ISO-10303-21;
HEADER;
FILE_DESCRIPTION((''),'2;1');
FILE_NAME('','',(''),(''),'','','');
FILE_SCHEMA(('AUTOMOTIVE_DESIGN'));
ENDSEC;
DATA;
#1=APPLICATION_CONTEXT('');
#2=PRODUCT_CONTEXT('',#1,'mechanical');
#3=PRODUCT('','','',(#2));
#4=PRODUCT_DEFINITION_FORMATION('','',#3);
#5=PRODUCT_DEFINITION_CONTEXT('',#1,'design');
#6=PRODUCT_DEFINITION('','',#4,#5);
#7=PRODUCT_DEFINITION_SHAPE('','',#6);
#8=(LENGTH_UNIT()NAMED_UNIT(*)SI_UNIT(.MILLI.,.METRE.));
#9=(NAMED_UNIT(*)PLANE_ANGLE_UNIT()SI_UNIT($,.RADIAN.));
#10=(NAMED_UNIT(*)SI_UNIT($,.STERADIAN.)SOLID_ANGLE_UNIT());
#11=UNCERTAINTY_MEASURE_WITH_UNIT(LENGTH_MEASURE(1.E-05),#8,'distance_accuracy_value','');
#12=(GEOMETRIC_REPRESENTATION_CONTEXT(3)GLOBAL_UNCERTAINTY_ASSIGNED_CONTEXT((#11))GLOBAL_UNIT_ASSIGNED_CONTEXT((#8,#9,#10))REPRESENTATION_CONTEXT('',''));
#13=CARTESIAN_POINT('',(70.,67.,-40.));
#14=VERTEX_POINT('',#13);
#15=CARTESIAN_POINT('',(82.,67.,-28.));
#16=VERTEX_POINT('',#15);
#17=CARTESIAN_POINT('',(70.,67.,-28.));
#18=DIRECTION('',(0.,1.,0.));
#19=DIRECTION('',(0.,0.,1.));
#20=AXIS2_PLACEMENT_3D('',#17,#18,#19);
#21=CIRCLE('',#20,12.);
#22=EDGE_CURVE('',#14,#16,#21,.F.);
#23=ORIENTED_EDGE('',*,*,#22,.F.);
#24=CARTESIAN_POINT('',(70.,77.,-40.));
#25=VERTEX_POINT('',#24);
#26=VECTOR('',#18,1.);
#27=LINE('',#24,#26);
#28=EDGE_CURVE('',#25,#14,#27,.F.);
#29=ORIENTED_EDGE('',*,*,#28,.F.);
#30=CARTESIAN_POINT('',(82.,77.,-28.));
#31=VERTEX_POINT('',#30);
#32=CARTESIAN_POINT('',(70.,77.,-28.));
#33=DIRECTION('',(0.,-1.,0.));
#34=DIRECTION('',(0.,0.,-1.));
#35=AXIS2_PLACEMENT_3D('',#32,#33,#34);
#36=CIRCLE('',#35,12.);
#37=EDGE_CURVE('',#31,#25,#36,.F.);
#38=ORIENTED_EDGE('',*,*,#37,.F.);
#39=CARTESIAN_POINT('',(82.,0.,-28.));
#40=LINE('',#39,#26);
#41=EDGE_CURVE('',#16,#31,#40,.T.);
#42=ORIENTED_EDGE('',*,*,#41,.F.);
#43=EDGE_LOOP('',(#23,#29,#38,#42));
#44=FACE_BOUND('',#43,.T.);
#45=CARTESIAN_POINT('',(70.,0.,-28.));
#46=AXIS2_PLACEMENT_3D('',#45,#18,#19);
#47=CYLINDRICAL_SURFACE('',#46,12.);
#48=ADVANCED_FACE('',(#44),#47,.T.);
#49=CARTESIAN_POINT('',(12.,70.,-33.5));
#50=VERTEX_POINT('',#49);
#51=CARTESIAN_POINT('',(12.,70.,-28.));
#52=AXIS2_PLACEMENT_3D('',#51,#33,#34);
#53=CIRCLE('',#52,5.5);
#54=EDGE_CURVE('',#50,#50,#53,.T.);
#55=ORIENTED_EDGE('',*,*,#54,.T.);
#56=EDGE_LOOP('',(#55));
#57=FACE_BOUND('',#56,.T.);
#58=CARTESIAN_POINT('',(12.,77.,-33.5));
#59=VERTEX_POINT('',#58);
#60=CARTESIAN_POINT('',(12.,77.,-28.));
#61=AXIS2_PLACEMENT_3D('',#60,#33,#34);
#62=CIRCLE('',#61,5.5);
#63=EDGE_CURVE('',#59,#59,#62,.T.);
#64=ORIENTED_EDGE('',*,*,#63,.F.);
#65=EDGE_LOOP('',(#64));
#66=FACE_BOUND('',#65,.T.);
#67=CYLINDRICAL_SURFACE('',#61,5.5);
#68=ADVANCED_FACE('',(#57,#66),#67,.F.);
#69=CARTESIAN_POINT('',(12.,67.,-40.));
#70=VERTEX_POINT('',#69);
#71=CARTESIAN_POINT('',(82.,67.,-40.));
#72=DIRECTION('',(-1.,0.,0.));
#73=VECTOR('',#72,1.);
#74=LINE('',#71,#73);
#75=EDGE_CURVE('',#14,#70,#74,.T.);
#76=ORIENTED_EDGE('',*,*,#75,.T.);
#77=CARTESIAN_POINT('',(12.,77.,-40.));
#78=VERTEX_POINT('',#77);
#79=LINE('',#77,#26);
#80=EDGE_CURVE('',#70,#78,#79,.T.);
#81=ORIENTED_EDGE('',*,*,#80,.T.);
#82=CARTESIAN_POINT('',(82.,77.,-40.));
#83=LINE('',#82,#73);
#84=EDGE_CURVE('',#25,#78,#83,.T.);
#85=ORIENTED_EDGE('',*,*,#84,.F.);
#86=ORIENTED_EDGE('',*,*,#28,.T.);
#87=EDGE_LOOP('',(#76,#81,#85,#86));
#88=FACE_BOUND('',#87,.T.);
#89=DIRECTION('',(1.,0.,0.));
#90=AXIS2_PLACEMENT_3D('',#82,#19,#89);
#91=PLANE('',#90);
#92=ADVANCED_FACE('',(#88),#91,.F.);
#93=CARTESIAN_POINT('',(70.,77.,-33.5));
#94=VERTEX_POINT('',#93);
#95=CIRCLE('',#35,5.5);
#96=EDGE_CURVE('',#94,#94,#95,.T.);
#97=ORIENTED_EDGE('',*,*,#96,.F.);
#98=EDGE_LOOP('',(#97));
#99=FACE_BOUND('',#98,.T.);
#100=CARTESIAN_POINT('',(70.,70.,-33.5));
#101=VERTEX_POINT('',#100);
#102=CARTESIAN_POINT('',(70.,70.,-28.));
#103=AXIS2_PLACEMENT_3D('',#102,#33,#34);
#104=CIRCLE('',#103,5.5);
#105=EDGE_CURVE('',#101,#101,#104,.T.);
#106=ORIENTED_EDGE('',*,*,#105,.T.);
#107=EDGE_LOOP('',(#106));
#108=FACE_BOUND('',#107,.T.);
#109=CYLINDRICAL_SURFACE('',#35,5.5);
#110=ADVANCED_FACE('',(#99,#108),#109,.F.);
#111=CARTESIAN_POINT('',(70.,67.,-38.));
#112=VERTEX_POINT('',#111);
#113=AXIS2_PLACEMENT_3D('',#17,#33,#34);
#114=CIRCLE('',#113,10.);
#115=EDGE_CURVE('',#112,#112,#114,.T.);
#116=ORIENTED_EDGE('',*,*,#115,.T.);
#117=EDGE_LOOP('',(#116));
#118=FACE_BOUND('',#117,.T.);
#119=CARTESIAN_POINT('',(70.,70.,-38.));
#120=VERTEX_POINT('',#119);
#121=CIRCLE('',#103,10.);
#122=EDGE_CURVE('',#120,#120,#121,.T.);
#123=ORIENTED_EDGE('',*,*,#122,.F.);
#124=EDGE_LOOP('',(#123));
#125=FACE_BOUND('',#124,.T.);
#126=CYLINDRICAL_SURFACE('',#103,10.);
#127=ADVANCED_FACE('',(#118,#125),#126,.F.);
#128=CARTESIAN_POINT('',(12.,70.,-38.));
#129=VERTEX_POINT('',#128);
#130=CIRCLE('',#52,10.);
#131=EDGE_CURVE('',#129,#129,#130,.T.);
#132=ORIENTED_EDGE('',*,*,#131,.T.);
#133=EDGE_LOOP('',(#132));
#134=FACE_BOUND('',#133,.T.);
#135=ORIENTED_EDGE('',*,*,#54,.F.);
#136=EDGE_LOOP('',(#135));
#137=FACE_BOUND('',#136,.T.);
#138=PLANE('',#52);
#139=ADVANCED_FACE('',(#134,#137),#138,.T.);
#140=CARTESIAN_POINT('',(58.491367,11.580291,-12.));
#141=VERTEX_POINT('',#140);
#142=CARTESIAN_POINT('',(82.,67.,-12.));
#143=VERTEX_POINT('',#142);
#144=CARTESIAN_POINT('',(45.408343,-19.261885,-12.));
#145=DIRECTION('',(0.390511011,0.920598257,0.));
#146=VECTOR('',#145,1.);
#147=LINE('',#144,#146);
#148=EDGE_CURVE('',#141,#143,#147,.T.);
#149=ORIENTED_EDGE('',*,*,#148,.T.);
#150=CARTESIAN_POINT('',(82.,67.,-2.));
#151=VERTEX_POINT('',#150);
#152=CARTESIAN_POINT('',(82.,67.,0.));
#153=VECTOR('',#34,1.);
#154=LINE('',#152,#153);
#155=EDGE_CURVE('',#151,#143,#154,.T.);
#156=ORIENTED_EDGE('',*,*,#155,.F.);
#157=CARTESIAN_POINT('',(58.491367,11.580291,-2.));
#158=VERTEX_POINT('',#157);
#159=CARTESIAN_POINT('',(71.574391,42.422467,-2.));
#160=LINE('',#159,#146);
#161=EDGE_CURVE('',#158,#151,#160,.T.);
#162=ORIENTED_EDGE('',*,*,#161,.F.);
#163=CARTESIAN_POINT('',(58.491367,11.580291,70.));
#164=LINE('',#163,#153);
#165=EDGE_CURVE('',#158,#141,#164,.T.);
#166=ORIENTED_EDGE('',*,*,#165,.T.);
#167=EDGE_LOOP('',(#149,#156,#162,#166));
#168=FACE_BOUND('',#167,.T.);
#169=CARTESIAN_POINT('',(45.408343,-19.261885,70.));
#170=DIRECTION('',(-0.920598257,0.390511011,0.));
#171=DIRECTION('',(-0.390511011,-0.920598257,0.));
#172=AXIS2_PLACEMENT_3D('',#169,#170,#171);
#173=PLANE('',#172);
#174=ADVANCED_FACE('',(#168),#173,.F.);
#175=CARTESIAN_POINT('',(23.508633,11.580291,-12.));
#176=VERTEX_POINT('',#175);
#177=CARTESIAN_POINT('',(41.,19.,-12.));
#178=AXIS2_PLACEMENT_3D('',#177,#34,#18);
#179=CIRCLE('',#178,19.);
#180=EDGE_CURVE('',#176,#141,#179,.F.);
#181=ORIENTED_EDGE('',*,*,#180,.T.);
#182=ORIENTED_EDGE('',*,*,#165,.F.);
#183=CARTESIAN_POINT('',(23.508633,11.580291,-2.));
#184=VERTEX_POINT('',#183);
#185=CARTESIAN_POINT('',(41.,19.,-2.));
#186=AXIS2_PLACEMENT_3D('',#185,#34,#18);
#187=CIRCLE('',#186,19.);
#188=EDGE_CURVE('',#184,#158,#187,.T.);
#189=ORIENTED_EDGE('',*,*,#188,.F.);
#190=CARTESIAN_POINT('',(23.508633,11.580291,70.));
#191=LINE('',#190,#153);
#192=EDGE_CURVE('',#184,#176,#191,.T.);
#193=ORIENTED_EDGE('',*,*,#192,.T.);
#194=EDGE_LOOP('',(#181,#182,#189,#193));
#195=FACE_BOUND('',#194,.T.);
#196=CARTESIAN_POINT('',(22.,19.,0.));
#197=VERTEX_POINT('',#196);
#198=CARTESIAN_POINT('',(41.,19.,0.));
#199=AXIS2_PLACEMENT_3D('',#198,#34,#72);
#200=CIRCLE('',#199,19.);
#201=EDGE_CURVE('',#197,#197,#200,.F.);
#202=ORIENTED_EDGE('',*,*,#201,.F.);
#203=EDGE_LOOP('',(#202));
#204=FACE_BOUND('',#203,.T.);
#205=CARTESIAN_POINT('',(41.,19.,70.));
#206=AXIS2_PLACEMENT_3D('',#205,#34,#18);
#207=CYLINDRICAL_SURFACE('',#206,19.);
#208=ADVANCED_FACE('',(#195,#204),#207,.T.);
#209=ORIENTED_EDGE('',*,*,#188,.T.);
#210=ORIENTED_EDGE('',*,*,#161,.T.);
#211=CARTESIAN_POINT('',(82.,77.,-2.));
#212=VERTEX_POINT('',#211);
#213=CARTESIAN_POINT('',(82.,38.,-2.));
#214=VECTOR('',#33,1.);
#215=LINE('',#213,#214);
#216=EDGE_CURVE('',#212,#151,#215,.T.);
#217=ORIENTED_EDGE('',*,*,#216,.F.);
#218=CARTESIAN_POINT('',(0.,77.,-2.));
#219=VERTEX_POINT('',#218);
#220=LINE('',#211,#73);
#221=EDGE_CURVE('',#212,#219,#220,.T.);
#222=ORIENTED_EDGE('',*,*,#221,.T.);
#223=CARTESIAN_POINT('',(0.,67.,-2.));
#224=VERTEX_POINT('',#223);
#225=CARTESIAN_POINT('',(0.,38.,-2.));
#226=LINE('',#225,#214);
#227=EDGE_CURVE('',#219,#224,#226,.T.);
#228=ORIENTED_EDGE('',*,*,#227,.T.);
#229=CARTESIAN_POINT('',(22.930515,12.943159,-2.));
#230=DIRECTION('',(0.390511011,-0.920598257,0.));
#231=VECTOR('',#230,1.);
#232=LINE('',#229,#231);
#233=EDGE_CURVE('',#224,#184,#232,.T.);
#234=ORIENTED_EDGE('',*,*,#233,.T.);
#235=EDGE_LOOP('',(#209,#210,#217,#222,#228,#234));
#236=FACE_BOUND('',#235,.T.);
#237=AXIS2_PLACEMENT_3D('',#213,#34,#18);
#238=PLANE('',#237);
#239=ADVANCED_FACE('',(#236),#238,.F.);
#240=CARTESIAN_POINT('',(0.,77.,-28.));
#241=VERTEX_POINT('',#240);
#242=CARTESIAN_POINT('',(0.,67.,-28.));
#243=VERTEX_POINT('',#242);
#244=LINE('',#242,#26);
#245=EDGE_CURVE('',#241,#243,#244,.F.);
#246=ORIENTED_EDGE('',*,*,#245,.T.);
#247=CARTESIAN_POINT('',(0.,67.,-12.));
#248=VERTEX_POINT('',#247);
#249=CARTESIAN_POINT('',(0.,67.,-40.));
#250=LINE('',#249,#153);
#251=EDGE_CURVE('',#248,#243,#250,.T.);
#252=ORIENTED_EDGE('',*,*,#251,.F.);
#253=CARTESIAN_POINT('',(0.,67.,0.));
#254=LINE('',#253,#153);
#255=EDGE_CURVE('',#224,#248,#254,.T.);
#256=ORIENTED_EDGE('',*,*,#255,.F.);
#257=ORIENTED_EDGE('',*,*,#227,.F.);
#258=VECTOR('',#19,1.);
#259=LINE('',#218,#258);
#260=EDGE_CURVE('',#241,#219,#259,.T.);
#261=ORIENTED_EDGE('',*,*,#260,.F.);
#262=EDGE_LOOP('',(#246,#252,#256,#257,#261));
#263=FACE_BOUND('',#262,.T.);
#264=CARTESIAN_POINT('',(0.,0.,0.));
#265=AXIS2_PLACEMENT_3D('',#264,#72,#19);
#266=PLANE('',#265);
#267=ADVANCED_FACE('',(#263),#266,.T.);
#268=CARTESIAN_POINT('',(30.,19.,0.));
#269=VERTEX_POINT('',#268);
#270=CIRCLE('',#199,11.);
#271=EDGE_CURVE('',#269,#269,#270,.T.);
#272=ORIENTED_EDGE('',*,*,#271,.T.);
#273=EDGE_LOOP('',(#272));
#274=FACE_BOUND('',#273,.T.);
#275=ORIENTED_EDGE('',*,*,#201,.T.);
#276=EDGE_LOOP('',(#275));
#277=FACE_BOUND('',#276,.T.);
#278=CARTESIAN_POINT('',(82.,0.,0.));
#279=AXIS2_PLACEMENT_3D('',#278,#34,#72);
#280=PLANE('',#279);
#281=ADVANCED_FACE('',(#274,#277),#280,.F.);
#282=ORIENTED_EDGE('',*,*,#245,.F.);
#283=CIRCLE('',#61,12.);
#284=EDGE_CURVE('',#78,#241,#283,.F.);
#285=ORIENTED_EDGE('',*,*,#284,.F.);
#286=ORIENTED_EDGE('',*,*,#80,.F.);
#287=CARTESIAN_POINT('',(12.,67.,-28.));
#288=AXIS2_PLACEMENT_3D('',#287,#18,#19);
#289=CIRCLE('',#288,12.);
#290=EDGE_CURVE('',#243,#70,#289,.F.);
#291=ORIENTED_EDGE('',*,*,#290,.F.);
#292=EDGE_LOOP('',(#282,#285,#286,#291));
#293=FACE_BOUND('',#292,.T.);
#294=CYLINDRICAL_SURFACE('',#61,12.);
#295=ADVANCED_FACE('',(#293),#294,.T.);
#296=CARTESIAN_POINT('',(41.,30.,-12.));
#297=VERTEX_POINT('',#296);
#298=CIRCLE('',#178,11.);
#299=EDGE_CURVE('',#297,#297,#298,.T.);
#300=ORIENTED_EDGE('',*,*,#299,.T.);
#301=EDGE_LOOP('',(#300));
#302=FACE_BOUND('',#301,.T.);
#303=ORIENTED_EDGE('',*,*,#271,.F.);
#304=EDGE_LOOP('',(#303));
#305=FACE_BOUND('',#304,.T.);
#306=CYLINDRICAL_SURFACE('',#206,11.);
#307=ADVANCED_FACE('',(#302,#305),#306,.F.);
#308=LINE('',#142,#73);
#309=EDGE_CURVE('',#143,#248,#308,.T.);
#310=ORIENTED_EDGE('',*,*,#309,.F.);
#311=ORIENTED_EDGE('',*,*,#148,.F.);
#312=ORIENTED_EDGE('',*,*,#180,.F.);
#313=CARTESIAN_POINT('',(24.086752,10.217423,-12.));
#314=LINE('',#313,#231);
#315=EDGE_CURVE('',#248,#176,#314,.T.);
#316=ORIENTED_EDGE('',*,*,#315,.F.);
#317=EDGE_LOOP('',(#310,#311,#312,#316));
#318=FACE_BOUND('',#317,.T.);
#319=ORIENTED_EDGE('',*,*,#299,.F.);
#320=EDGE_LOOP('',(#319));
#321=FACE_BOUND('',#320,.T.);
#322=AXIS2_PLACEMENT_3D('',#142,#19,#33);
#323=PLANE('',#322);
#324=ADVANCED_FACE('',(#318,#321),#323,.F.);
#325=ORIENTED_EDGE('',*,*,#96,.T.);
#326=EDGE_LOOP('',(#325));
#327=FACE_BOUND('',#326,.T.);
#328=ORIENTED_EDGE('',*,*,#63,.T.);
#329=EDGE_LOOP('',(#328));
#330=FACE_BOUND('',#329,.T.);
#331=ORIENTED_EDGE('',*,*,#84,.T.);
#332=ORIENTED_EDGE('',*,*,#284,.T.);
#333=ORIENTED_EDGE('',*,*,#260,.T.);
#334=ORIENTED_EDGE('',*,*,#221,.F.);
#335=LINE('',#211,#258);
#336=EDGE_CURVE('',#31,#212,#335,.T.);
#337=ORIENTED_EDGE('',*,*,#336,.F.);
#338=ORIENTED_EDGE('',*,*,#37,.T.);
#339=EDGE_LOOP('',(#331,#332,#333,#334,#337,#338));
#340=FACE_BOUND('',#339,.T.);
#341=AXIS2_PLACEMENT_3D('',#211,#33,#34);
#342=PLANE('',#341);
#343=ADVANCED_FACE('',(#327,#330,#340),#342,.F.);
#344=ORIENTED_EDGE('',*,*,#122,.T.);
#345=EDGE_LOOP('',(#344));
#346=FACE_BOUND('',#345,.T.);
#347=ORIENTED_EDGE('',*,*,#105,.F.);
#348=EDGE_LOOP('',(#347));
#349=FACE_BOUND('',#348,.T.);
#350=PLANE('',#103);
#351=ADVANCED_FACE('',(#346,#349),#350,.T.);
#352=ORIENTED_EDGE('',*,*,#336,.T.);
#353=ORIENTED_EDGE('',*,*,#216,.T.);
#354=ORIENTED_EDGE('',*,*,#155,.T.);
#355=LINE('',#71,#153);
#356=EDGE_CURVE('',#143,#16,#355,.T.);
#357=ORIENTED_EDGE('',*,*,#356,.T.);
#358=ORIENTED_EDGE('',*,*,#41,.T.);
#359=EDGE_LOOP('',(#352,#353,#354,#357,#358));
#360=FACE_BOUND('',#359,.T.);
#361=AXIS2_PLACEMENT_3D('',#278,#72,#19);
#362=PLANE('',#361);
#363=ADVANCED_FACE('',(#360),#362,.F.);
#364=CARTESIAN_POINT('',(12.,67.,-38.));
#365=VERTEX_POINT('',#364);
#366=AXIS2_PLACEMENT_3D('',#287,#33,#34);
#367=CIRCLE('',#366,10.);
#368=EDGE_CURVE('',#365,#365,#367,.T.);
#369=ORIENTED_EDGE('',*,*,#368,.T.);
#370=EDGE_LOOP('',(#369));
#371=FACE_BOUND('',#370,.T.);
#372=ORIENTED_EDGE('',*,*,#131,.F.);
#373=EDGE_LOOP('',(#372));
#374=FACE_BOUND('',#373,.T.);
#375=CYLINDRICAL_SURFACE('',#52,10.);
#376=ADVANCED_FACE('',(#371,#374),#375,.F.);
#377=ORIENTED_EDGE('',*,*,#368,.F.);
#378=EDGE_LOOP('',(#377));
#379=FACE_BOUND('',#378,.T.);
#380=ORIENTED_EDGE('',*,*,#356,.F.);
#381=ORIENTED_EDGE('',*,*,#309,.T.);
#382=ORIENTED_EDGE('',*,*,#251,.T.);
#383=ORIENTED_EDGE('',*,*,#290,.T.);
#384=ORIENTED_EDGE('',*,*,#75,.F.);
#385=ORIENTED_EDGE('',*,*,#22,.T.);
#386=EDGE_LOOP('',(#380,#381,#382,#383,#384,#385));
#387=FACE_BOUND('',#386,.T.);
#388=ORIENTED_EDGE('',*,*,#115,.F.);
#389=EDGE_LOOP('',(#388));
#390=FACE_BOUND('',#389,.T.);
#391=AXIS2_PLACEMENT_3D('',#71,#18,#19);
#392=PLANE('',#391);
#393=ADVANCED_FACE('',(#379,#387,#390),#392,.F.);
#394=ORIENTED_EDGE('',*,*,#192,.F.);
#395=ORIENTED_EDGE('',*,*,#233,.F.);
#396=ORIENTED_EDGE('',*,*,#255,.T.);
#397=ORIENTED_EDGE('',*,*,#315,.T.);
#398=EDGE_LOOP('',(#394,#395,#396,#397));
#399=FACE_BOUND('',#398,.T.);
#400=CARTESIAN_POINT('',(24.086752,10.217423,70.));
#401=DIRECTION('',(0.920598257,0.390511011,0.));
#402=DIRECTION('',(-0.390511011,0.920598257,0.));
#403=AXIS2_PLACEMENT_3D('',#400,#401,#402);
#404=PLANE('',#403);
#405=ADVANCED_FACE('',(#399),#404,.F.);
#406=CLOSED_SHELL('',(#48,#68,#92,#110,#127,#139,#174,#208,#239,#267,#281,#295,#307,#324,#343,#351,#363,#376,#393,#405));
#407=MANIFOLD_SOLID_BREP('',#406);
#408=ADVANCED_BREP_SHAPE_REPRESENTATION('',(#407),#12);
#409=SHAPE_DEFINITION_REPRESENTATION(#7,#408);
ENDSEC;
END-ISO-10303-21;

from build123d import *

# Parameters (mm, degrees)
SALIENTE_EXTRUIR1_DEPTH = 82
CORTAR_EXTRUIR1_DEPTH   = 82
CROQUIS3_R              = 11
CORTAR_EXTRUIR2_DEPTH   = 82
CORTAR_EXTRUIR4_DEPTH   = 2
REDONDEO1_R             = 12
REDONDEO2_R             = 12
CROQUIS7_R              = 10
CORTAR_EXTRUIR6_DEPTH   = 3
CROQUIS8_R              = 5.5
CORTAR_EXTRUIR7_DEPTH   = 11


with BuildPart() as part:
    # Croquis1 → Saliente-Extruir1 (new body)
    with BuildSketch(Plane(origin=(0, 0, 0), x_dir=(0, 0, -1), z_dir=(1, 0, 0))):
        Polygon((0, 0), (0, 38), (2, 38), (2, 77), (40, 77), (40, 67), (12, 67), (12, 0), align=None)
    extrude(amount=SALIENTE_EXTRUIR1_DEPTH)

    # Croquis2 → Cortar-Extruir1 (cut)
    with BuildSketch(Plane(origin=(0, 0, -12), x_dir=(-1, 0, 0), z_dir=(0, 0, -1))):
        with BuildLine():
            Line((-82, 0), (-41, 0))
            ThreePointArc((-41, 0), (-51.488696893, 3.157423269), (-58.491366878, 11.580290792))
            Line((-58.491366878, 11.580290792), (-82, 67))
            Line((-82, 67), (-82, 0))
        make_face()
        with BuildLine():
            Line((0, 0), (0, 67))
            Line((0, 67), (-23.508633122, 11.580290792))
            ThreePointArc((-23.508633122, 11.580290792), (-30.511303107, 3.157423269), (-41, 0))
            Line((-41, 0), (0, 0))
        make_face()
    extrude(amount=-CORTAR_EXTRUIR1_DEPTH, mode=Mode.SUBTRACT)

    # Croquis3 → Cortar-Extruir2 (cut)
    with BuildSketch(Plane(origin=(0, 0, -12), x_dir=(-1, 0, 0), z_dir=(0, 0, -1))):
        with Locations((-41, 19)):
            Circle(CROQUIS3_R)
    extrude(amount=-CORTAR_EXTRUIR2_DEPTH, mode=Mode.SUBTRACT)

    # Croquis5 → Cortar-Extruir4 (cut)
    with BuildSketch(Plane.XY):
        with BuildLine():
            ThreePointArc((23.508633122, 11.580290792), (25.157423269, 29.488696893), (41, 38))
            Line((41, 38), (12.301586751, 38))
            Line((12.301586751, 38), (23.508633122, 11.580290792))
        make_face()
        with BuildLine():
            ThreePointArc((41, 38), (56.842576731, 29.488696893), (58.491366878, 11.580290792))
            Line((58.491366878, 11.580290792), (69.698413249, 38))
            Line((69.698413249, 38), (41, 38))
        make_face()
    extrude(amount=-CORTAR_EXTRUIR4_DEPTH, mode=Mode.SUBTRACT)

    # Redondeo1
    redondeo1_edges = [part.edges().sort_by_distance(p)[0] for p in [
        (0, 72, -40),
    ]]
    fillet(redondeo1_edges, radius=REDONDEO1_R)

    # Redondeo2
    redondeo2_edges = [part.edges().sort_by_distance(p)[0] for p in [
        (82, 72, -40),
    ]]
    fillet(redondeo2_edges, radius=REDONDEO2_R)

    # Croquis7 → Cortar-Extruir6 (cut)
    with BuildSketch(Plane.XZ.offset(-67)):
        with Locations((12, -28)):
            Circle(CROQUIS7_R)
        with Locations((70, -28)):
            Circle(CROQUIS7_R)
    extrude(amount=-CORTAR_EXTRUIR6_DEPTH, mode=Mode.SUBTRACT)

    # Croquis8 → Cortar-Extruir7 (cut, through all)
    with BuildSketch(Plane.XZ.offset(-67)):
        with Locations((12, -28)):
            Circle(CROQUIS8_R)
        with Locations((70, -28)):
            Circle(CROQUIS8_R)
    extrude(amount=-CORTAR_EXTRUIR7_DEPTH, mode=Mode.SUBTRACT)


solid = part.part
